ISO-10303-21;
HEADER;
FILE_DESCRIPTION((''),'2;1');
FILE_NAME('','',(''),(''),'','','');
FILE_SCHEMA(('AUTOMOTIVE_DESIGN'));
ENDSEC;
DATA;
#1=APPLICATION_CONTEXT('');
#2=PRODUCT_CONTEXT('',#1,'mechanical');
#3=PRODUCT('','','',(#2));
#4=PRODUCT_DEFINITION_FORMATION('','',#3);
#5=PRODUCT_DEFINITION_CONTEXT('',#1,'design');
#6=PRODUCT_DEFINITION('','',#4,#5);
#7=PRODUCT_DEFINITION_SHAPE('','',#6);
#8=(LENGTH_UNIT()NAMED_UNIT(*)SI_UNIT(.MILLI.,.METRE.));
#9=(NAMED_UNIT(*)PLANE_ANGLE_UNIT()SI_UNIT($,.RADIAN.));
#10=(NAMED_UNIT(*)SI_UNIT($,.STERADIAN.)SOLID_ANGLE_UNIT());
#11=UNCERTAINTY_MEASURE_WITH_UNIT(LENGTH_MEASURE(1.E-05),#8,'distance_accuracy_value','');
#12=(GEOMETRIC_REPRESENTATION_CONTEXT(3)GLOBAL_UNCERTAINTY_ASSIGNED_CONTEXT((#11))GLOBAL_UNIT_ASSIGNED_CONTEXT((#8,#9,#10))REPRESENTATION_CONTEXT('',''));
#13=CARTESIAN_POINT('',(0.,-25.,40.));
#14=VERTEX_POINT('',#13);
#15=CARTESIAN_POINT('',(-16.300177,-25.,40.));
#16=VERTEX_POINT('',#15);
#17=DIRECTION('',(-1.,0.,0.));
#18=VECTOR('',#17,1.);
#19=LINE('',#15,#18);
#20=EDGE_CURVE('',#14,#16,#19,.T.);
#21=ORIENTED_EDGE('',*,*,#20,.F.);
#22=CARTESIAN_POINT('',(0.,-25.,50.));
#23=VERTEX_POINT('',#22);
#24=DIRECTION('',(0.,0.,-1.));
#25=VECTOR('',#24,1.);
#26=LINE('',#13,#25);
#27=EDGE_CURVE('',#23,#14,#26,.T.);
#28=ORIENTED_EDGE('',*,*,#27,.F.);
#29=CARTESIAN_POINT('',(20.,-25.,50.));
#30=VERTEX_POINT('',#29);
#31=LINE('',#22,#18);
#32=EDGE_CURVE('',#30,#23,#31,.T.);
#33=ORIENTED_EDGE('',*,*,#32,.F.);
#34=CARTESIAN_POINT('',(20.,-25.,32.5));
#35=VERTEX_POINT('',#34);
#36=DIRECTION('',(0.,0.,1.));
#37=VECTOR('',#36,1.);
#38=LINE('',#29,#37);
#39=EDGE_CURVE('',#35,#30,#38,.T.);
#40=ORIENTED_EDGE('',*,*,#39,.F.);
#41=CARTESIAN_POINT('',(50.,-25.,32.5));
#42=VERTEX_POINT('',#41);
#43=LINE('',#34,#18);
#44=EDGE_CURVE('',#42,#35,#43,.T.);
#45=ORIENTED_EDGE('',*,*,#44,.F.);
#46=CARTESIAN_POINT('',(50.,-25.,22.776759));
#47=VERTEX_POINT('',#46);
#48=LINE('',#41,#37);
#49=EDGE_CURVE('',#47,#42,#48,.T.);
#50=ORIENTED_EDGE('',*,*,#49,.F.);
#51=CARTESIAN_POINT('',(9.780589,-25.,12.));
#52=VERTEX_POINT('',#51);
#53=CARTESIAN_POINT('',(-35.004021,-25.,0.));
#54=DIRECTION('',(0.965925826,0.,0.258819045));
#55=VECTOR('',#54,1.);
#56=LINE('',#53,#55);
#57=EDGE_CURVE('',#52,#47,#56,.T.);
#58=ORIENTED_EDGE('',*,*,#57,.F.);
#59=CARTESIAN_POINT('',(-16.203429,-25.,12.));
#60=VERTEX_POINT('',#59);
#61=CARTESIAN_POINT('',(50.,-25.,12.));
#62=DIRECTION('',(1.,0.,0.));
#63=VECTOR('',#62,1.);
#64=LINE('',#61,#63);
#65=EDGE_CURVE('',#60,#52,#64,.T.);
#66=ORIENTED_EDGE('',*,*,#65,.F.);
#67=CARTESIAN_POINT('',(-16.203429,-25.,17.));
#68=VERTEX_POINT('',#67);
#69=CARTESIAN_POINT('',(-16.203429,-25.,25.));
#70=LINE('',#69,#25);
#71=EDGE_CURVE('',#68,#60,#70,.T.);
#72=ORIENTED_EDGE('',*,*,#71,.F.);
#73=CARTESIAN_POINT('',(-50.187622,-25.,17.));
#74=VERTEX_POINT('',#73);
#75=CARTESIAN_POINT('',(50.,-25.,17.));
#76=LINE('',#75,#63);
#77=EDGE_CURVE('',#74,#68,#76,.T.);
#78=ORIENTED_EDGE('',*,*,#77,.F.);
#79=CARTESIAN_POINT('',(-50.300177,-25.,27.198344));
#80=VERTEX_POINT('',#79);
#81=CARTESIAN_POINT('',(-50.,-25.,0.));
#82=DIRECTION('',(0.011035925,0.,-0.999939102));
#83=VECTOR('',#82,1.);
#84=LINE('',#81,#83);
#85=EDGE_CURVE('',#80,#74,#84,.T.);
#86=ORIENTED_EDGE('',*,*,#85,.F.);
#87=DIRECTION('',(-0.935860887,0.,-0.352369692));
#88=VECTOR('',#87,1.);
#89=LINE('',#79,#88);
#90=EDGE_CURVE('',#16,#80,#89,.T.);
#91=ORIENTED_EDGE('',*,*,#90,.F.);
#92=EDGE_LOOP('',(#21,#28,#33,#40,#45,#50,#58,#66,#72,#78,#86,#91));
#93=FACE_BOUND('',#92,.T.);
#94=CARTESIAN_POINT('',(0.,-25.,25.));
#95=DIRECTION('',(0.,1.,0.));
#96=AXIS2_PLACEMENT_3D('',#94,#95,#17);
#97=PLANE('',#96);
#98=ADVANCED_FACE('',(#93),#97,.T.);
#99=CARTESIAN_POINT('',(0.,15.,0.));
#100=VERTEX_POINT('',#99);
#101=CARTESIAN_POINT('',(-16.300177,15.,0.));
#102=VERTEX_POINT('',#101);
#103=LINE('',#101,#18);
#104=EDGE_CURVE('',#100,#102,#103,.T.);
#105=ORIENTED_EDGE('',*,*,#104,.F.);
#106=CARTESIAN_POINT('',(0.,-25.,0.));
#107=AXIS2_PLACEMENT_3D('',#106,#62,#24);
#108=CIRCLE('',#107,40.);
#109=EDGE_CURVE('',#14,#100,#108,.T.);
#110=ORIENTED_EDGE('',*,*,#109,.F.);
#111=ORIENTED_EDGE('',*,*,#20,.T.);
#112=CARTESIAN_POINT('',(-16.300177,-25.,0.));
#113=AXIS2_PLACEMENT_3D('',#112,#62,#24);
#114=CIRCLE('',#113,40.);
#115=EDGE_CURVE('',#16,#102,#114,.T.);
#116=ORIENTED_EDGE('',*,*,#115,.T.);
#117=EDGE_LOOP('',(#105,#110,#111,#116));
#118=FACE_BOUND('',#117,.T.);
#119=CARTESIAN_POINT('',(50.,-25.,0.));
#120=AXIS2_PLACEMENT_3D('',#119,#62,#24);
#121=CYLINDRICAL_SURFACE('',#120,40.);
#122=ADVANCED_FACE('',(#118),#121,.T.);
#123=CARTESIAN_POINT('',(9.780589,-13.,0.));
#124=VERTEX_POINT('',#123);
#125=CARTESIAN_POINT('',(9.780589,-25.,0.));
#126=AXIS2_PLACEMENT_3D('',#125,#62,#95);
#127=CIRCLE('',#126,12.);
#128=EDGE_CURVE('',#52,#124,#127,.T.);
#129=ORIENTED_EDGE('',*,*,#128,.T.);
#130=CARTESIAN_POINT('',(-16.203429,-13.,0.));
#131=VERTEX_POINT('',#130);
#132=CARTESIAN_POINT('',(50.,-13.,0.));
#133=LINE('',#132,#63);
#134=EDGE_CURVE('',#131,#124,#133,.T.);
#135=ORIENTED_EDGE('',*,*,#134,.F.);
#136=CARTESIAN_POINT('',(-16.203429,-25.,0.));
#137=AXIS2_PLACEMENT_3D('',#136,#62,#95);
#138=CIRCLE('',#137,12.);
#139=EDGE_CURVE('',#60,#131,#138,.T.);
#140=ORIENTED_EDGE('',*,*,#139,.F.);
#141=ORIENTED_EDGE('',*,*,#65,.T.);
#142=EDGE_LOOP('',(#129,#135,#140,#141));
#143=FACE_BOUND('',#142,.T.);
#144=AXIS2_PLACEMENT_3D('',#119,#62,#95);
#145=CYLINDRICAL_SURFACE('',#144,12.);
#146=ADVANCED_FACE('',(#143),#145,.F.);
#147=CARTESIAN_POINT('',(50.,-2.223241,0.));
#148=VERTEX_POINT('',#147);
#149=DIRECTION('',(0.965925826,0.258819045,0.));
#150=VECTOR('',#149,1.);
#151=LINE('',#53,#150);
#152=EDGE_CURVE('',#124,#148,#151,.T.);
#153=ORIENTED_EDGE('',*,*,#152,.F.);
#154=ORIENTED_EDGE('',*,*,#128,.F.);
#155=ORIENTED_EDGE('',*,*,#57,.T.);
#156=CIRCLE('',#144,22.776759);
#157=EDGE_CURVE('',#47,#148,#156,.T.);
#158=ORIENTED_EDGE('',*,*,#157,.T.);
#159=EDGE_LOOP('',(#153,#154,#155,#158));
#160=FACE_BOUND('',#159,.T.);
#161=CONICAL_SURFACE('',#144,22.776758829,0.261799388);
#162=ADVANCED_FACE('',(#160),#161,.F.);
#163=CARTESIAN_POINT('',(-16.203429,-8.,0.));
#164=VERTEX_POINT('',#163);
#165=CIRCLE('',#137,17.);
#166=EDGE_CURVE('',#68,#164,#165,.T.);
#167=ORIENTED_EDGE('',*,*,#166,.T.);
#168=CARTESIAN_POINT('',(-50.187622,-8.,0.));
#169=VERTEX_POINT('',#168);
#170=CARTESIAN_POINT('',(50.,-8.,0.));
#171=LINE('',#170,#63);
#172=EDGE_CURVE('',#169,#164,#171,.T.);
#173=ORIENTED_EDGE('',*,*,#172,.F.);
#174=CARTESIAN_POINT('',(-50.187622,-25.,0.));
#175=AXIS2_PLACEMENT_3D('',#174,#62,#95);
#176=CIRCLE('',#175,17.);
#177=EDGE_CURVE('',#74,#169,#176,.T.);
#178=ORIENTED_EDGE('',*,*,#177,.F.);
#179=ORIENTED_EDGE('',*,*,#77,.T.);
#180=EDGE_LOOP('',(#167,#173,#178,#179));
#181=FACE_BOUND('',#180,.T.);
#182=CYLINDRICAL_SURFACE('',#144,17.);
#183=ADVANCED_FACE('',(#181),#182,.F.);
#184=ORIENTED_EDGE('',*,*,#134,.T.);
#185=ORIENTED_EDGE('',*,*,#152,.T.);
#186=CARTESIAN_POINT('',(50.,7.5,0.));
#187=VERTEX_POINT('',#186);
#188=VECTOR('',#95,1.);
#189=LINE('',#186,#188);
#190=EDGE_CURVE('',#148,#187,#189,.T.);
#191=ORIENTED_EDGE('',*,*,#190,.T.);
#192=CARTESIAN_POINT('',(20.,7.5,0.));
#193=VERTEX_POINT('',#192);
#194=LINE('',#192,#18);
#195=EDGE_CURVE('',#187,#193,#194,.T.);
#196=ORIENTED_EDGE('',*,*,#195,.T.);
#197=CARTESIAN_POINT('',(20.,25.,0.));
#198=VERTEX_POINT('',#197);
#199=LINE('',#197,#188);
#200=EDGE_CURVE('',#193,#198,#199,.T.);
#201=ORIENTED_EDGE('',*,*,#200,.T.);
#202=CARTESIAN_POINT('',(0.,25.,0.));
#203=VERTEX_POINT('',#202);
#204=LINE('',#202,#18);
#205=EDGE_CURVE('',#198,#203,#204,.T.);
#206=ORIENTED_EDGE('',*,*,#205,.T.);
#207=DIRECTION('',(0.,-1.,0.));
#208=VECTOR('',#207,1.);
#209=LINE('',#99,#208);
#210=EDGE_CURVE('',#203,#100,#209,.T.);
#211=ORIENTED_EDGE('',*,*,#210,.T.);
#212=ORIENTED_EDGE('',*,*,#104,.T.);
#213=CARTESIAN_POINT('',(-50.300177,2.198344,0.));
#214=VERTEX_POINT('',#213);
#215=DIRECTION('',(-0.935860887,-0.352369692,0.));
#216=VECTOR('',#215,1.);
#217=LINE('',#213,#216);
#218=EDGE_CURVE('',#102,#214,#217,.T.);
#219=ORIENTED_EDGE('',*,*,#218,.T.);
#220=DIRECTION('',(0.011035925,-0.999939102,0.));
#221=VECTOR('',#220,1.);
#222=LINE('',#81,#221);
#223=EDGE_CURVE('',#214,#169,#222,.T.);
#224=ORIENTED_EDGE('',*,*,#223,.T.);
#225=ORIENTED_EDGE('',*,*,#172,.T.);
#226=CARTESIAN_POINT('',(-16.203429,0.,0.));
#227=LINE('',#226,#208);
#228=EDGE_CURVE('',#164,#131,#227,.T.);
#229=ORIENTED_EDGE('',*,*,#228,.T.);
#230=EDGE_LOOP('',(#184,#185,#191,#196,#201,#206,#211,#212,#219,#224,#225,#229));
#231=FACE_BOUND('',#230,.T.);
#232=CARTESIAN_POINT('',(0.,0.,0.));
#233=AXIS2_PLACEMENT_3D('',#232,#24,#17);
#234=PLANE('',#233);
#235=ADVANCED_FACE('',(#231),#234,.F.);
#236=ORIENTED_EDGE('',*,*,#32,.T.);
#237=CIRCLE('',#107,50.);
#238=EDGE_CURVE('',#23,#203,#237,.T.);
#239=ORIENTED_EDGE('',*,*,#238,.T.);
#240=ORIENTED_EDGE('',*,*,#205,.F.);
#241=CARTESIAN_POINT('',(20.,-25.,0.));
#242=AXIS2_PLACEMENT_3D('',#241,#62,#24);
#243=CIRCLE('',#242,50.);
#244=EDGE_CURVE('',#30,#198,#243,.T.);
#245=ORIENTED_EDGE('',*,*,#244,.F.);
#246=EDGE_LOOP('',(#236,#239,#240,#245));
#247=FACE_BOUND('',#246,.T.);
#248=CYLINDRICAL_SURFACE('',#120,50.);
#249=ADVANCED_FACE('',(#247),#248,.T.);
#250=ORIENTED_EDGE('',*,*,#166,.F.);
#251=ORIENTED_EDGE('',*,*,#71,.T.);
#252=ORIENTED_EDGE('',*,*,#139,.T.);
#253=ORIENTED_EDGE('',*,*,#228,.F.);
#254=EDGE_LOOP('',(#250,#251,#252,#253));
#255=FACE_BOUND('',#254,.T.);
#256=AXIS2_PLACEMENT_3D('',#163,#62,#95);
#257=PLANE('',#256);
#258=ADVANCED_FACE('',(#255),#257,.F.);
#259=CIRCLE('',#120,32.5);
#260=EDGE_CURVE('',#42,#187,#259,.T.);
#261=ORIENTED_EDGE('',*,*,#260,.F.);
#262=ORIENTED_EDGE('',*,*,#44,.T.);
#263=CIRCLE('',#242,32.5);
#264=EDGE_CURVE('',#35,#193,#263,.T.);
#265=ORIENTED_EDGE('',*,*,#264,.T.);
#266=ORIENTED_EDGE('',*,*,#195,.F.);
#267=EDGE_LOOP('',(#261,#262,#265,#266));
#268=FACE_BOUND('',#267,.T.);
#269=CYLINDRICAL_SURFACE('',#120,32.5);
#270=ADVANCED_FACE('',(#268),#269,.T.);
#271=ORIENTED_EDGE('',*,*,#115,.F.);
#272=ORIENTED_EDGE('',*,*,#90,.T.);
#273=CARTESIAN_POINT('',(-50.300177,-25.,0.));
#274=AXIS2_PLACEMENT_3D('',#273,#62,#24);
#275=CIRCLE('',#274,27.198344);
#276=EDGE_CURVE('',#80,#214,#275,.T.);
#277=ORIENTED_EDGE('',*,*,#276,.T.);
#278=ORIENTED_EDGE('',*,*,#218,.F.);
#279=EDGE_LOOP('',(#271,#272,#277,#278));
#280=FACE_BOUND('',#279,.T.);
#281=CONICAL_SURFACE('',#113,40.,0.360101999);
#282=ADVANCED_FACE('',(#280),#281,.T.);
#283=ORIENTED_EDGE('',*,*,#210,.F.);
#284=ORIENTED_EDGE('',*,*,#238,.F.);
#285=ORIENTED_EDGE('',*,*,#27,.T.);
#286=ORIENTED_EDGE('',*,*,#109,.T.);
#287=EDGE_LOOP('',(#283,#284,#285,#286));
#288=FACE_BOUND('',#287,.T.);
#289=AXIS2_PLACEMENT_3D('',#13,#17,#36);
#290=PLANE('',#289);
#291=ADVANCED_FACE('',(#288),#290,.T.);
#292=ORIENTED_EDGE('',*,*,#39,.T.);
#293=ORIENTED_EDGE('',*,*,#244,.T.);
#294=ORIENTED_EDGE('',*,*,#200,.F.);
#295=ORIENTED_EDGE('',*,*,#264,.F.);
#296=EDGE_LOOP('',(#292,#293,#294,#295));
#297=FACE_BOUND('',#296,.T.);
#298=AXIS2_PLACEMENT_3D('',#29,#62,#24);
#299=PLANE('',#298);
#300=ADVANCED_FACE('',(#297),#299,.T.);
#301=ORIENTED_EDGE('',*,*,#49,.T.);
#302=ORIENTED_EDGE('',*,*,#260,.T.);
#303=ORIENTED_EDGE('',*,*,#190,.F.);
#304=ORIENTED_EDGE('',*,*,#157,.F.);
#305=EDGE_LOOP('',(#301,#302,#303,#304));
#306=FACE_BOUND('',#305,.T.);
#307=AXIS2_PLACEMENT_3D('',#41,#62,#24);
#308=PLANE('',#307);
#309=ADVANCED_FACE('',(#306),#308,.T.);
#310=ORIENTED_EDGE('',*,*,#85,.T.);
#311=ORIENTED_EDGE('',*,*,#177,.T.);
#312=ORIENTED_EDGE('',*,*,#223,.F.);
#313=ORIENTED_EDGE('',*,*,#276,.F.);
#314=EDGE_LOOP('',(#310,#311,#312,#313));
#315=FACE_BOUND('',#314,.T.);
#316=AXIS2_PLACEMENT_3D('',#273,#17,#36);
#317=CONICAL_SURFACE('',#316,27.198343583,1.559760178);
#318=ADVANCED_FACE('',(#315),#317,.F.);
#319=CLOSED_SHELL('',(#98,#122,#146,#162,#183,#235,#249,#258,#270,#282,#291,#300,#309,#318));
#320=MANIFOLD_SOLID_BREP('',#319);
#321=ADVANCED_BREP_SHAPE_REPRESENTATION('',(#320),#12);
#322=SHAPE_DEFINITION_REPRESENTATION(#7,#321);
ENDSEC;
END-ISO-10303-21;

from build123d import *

# Parameters (mm, degrees)
REVOLVE1_ANGLE = 270


with BuildPart() as part:
    # Sketch1 → Revolve1 (revolve)
    with BuildSketch(Plane.XY):
        Polygon((-50, -25), (-50.300177152, 2.198343583), (-16.300177152, 15), (0, 15), (0, 25), (20, 25), (20, 7.5), (50, 7.5), (50, -25), align=None)
    revolve(axis=Axis((50, -25, 0), (-1, 0, 0)), revolution_arc=REVOLVE1_ANGLE)

    # Sketch2 → Cut-Revolve1 (revolve, cut)
    with BuildSketch(Plane.XY):
        Polygon((-50.187622145, -8), (-16.203429147, -8), (-16.203429147, -13), (9.780588509, -13), (50, -2.223241171), (50, -25), (-50.300177152, -25), align=None)
    revolve(axis=Axis((50, -25, 0), (-1, 0, 0)), mode=Mode.SUBTRACT)


solid = part.part
